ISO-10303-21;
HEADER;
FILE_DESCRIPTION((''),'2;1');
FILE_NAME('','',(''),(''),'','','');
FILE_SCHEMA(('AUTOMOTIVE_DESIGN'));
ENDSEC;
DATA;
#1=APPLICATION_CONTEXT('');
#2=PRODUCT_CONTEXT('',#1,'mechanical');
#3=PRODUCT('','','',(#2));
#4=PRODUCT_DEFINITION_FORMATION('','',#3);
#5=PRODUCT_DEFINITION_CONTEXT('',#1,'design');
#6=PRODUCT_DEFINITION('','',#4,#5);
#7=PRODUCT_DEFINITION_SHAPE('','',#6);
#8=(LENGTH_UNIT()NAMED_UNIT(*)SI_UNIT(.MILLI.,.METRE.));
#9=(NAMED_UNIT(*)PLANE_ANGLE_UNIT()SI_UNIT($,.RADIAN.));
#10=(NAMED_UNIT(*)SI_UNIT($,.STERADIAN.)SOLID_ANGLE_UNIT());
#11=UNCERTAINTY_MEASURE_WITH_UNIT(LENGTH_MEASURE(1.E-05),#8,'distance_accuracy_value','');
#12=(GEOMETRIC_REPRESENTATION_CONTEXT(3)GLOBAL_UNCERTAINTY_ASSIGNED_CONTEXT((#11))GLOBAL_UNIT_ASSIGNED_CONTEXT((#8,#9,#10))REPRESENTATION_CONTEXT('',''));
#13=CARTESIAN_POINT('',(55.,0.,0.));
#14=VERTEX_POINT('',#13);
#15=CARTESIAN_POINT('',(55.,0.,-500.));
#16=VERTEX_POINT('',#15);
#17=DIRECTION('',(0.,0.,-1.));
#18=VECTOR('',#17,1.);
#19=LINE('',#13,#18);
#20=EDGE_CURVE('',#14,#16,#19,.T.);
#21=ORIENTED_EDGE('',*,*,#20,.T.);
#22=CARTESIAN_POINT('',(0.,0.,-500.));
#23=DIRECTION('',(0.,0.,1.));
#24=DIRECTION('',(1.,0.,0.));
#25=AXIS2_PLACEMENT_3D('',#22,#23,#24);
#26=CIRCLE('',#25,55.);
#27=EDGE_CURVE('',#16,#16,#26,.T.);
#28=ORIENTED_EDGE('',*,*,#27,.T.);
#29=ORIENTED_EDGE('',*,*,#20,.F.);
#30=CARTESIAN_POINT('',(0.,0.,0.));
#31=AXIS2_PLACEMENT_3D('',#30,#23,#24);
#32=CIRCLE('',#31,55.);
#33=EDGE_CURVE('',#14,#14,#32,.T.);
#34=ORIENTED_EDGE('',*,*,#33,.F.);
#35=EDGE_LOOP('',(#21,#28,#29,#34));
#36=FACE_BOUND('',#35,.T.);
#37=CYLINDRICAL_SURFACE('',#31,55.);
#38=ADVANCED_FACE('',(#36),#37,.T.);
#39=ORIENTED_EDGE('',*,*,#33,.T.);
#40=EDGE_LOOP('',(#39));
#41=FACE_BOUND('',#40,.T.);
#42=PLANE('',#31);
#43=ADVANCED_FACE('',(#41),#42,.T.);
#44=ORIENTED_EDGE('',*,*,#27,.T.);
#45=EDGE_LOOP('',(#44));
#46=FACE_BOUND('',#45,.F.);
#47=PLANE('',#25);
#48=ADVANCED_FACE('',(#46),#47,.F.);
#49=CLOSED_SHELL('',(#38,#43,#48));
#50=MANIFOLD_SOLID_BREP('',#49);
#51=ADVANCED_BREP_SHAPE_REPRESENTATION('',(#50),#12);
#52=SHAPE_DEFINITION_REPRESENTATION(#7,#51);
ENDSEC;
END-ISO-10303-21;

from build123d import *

# Parameters (mm, degrees)
F0_R     = 55
F0_R_2   = 50
F1_DEPTH = 500
F2_DEPTH = 62.5


with BuildPart() as f1:
    # F0 (on Top) → F1 (new body)
    with BuildSketch(Plane.XY):
        Circle(F0_R)
        Circle(F0_R_2, mode=Mode.SUBTRACT)
        Circle(F0_R_2)
    extrude(amount=-F1_DEPTH)

    # F0 (on Top) → F2 (join)
    with BuildSketch(Plane.XY):
        Circle(F0_R)
        Circle(F0_R_2, mode=Mode.SUBTRACT)
    extrude(amount=-F2_DEPTH)


solid = f1.part
